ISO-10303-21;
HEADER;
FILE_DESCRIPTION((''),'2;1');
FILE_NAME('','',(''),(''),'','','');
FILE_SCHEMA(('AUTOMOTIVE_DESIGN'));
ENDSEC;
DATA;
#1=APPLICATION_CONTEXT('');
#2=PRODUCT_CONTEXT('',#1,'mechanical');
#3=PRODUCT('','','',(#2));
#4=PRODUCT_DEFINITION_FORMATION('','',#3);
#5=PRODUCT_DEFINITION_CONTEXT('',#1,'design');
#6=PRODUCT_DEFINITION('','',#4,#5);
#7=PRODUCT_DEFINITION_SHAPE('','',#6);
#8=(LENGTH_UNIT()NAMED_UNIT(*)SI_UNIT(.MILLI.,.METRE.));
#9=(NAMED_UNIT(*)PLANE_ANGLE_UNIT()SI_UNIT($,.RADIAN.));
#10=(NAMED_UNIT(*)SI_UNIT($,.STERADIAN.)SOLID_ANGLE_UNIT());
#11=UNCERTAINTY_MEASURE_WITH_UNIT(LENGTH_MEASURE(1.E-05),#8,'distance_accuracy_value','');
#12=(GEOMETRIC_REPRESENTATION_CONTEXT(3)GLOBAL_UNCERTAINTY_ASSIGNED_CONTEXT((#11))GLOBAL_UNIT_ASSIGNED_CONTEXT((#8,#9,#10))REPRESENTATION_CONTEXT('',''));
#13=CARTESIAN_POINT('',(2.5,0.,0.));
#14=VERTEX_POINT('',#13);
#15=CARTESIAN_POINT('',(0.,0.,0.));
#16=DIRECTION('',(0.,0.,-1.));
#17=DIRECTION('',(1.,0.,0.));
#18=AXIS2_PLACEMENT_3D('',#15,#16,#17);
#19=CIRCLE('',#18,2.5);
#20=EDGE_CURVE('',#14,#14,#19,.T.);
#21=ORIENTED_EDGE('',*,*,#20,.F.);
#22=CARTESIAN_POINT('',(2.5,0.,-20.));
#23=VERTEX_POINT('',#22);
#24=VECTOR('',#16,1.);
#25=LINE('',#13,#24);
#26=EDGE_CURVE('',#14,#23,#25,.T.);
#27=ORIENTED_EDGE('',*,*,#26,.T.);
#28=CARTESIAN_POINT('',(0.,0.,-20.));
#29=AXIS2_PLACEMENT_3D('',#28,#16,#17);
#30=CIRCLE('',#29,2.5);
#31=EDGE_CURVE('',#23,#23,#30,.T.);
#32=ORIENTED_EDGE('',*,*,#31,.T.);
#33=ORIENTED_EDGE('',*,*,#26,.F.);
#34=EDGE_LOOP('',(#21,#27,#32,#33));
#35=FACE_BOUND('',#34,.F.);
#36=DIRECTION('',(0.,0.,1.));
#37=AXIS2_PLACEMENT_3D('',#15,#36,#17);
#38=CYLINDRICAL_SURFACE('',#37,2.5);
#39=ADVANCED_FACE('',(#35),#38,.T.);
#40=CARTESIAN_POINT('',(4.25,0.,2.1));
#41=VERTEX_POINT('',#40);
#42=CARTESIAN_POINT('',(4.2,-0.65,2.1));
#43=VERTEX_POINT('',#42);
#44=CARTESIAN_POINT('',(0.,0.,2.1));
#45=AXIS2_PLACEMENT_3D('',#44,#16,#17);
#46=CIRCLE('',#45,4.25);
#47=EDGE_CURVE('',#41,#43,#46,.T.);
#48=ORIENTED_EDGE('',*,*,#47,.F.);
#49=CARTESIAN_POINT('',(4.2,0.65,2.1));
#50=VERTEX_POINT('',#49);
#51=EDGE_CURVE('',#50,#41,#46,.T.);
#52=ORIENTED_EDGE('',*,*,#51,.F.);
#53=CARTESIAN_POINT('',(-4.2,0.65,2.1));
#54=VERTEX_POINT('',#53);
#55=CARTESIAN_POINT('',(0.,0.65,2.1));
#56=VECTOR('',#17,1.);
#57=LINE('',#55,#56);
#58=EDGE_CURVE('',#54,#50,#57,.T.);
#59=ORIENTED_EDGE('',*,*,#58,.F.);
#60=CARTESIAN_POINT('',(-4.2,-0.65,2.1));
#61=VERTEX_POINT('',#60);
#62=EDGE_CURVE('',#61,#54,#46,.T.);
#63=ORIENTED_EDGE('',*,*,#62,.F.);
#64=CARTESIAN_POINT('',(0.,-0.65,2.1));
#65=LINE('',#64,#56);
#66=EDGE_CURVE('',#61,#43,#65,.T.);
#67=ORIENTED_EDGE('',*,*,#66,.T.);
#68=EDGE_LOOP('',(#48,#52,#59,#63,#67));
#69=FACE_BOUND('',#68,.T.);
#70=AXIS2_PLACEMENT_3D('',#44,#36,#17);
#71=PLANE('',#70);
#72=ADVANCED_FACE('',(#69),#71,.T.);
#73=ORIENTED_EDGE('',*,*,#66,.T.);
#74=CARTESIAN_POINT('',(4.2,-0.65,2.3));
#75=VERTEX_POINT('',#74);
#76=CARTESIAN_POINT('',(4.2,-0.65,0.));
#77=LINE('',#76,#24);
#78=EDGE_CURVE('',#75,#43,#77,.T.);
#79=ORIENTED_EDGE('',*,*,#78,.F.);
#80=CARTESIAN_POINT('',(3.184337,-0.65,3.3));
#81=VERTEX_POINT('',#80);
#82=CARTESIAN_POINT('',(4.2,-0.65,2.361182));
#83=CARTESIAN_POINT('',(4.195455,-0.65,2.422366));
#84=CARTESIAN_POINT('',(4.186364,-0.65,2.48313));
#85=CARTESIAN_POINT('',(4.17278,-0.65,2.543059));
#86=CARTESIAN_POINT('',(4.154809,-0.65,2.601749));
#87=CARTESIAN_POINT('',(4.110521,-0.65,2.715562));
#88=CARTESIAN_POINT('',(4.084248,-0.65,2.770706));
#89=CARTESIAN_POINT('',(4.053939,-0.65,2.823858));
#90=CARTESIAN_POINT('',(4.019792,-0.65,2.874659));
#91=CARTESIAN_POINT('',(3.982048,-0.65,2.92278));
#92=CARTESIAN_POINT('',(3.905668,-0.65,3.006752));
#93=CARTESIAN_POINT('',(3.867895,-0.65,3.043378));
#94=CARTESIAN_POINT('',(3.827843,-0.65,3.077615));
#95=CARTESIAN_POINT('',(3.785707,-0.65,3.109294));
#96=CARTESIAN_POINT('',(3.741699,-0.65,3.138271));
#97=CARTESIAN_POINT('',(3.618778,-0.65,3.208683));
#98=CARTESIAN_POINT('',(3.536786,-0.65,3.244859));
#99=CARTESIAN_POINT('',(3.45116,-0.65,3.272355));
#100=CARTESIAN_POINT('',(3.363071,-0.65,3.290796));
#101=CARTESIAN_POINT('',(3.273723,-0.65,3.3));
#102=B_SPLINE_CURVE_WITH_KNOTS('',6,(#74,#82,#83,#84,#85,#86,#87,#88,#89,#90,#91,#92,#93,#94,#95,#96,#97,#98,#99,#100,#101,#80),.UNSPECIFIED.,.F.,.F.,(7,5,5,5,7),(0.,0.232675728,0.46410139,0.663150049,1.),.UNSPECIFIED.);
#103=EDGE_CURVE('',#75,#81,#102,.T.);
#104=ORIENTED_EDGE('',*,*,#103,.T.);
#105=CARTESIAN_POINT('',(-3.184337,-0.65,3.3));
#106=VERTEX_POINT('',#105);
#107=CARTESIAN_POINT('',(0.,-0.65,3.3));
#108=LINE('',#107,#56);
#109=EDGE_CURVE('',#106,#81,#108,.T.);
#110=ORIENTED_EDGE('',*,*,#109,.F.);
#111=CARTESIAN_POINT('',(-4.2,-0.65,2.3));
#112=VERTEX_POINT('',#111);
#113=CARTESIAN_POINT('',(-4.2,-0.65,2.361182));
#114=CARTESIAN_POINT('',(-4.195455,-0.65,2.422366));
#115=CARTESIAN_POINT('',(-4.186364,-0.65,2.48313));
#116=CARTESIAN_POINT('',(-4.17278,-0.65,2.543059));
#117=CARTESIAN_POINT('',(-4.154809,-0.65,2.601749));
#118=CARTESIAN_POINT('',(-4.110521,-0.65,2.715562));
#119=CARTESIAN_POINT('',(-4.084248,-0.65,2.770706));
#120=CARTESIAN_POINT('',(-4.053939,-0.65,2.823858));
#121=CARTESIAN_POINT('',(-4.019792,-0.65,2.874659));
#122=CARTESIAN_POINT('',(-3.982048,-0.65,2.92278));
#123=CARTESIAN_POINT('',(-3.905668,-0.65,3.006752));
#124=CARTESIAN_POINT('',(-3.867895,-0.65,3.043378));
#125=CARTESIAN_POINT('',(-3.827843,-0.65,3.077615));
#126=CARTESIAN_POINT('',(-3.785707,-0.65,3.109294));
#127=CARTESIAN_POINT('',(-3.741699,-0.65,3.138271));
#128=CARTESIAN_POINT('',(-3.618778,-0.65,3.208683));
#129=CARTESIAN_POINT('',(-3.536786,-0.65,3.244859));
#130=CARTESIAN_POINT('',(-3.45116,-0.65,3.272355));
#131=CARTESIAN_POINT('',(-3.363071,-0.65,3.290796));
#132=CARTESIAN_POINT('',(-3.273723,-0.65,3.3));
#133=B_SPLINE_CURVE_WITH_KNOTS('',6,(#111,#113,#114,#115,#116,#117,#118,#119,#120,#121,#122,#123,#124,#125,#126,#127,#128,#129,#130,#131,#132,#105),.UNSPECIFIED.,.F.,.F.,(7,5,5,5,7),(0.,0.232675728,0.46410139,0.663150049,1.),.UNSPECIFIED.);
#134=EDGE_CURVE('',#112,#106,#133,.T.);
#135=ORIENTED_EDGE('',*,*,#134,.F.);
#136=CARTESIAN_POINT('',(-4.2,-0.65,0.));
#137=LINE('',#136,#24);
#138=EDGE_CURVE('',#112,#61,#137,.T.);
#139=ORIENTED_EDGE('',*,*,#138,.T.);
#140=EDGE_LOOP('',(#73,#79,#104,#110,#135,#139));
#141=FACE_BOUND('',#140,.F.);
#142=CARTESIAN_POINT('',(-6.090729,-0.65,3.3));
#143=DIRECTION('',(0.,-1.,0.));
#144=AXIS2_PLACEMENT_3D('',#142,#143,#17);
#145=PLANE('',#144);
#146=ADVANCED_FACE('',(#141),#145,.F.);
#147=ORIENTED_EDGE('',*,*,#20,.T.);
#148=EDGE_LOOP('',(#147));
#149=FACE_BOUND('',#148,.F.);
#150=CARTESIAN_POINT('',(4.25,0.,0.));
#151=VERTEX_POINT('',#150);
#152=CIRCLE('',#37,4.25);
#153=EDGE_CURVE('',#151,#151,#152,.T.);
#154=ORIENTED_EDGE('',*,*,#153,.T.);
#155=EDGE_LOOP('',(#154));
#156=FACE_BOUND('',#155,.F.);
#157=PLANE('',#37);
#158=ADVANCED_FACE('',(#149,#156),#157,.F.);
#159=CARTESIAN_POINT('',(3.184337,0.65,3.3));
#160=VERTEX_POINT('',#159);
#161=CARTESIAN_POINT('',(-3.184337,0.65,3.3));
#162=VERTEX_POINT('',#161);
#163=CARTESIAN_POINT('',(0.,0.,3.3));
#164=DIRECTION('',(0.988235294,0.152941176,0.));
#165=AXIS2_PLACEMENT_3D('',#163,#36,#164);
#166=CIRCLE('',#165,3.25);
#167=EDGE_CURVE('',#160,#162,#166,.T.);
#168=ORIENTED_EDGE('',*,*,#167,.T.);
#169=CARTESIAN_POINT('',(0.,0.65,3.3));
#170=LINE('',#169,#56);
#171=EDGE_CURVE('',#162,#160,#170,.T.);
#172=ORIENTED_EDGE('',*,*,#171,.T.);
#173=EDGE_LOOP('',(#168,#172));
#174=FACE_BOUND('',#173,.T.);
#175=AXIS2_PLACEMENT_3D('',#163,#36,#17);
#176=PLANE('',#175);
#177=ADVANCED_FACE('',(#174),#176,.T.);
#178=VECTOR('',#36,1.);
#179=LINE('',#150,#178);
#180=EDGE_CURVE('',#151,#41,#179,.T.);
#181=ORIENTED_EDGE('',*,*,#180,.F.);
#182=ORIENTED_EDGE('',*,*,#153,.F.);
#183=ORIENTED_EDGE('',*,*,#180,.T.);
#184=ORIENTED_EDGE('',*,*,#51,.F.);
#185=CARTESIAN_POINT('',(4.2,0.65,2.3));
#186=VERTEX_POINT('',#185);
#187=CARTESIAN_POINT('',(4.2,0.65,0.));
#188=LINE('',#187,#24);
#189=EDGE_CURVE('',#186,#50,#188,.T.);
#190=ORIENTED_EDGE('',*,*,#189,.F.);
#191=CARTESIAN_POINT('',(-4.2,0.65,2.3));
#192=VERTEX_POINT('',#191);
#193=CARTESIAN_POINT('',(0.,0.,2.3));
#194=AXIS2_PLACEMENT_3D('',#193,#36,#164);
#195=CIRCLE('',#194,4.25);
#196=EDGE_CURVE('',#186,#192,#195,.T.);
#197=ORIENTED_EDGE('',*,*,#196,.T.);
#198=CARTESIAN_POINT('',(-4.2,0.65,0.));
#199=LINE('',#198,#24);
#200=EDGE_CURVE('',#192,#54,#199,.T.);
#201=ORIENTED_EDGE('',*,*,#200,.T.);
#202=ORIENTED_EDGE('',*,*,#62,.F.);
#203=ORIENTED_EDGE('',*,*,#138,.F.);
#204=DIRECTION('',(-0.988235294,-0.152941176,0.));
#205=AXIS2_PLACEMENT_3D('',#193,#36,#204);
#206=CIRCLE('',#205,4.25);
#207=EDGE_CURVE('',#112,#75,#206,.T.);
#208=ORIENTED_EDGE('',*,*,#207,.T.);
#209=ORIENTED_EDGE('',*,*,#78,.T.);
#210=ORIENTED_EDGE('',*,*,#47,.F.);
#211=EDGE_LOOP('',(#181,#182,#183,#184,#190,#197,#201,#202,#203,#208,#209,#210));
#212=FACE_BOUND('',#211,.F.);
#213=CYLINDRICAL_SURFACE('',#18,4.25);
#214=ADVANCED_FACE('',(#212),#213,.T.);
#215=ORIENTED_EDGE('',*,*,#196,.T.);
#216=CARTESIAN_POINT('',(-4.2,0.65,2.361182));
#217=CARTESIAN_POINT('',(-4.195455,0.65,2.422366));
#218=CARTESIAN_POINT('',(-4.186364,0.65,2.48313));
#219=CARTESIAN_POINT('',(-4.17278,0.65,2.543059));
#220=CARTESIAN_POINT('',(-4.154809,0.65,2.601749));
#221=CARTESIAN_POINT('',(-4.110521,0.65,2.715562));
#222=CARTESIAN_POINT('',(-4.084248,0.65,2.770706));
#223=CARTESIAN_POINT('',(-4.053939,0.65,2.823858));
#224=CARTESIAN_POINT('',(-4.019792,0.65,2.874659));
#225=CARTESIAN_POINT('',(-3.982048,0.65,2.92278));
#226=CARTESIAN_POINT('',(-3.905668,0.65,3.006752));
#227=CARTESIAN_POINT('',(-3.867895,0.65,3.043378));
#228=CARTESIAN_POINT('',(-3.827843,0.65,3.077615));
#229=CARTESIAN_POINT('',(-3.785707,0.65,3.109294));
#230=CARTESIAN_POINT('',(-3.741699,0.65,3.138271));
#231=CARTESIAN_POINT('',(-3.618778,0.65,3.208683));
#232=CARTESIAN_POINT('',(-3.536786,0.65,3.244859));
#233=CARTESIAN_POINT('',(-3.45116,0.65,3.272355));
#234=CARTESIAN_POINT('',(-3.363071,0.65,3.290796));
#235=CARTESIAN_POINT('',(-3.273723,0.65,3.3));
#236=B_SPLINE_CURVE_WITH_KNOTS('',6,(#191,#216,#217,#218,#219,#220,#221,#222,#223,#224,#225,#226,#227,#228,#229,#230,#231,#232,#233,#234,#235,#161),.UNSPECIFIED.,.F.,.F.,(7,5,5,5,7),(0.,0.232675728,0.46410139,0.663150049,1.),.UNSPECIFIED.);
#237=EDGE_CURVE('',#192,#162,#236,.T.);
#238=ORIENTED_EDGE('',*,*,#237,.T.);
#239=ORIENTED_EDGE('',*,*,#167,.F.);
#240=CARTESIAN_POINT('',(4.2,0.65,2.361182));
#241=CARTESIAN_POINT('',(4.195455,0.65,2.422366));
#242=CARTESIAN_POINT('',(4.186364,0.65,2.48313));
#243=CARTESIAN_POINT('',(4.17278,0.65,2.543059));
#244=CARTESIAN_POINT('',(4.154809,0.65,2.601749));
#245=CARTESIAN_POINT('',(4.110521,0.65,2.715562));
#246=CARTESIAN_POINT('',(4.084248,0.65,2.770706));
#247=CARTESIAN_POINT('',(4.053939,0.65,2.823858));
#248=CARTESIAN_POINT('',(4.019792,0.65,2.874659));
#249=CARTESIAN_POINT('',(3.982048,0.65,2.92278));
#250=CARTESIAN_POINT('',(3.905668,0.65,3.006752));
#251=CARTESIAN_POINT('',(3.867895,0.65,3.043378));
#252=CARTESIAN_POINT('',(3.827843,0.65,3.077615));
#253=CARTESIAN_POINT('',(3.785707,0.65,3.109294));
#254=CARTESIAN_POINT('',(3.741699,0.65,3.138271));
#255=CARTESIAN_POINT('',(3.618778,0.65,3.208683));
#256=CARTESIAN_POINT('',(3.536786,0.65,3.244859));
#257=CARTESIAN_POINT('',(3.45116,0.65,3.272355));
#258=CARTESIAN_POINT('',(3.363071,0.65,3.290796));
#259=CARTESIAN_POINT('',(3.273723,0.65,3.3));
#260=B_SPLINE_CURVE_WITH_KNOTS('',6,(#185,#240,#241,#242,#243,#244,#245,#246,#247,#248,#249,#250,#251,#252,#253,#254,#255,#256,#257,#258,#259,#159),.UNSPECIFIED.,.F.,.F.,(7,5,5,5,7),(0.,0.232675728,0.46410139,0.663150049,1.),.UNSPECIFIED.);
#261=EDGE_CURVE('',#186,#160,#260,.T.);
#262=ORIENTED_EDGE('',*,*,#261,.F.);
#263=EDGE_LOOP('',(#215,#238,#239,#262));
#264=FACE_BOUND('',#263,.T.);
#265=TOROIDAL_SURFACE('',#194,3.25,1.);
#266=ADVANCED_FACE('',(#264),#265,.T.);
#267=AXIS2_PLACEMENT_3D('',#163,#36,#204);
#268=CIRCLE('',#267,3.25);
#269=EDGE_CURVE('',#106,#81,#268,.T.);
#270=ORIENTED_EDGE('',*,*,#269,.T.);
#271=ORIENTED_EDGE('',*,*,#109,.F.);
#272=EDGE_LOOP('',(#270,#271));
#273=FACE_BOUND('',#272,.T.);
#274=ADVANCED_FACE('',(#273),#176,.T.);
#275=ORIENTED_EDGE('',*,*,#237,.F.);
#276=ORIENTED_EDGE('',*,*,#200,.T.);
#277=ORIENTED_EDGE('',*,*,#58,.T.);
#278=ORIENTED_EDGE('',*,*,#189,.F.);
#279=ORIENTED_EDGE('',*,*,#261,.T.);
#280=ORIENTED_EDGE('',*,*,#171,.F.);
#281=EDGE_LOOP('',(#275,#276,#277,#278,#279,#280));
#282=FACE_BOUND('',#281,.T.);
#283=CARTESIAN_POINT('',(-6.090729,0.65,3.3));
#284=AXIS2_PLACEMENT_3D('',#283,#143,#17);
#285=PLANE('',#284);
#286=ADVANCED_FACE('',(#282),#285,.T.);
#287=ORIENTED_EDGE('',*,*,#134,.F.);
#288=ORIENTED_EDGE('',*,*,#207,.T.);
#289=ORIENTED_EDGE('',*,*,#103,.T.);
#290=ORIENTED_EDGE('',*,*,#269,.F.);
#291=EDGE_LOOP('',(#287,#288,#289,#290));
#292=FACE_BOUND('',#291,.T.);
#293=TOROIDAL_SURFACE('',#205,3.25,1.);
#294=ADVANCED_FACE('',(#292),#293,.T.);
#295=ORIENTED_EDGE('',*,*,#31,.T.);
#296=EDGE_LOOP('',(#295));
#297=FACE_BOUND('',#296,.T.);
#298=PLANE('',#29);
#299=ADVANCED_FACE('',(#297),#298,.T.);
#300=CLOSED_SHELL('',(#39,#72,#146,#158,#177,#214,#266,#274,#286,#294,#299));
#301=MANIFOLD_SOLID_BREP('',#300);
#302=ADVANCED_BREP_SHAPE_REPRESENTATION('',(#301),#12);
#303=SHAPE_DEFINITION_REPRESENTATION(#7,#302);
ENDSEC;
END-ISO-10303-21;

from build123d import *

# Parameters (mm, degrees)
F0_R     = 4.25
F1_DEPTH = 3.3
F2_R     = 2.5
F3_DEPTH = 20
F4_W     = 12.181458
F4_H     = 1.3
F5_DEPTH = 1.2
F6_R     = 1


with BuildPart() as f1:
    # F0 (on Top) → F1 (new body)
    with BuildSketch(Plane.XY):
        Circle(F0_R)
    extrude(amount=F1_DEPTH)

    # F2 (on face) → F3 (join)
    with BuildSketch(Plane(origin=(0, 0, 0), x_dir=(1, 0, 0), z_dir=(0, 0, -1))):
        Circle(F2_R)
    extrude(amount=F3_DEPTH)

    # F4 (on face) → F5 (cut)
    with BuildSketch(Plane.XY.offset(3.3)):
        Rectangle(F4_W, F4_H)
    extrude(amount=-F5_DEPTH, mode=Mode.SUBTRACT)

    # F6
    f6_edges = [f1.edges().sort_by_distance(p)[0] for p in [
        (0, -4.25, 3.3),
        (0, 4.25, 3.3),
    ]]
    fillet(f6_edges, radius=F6_R)


solid = f1.part
